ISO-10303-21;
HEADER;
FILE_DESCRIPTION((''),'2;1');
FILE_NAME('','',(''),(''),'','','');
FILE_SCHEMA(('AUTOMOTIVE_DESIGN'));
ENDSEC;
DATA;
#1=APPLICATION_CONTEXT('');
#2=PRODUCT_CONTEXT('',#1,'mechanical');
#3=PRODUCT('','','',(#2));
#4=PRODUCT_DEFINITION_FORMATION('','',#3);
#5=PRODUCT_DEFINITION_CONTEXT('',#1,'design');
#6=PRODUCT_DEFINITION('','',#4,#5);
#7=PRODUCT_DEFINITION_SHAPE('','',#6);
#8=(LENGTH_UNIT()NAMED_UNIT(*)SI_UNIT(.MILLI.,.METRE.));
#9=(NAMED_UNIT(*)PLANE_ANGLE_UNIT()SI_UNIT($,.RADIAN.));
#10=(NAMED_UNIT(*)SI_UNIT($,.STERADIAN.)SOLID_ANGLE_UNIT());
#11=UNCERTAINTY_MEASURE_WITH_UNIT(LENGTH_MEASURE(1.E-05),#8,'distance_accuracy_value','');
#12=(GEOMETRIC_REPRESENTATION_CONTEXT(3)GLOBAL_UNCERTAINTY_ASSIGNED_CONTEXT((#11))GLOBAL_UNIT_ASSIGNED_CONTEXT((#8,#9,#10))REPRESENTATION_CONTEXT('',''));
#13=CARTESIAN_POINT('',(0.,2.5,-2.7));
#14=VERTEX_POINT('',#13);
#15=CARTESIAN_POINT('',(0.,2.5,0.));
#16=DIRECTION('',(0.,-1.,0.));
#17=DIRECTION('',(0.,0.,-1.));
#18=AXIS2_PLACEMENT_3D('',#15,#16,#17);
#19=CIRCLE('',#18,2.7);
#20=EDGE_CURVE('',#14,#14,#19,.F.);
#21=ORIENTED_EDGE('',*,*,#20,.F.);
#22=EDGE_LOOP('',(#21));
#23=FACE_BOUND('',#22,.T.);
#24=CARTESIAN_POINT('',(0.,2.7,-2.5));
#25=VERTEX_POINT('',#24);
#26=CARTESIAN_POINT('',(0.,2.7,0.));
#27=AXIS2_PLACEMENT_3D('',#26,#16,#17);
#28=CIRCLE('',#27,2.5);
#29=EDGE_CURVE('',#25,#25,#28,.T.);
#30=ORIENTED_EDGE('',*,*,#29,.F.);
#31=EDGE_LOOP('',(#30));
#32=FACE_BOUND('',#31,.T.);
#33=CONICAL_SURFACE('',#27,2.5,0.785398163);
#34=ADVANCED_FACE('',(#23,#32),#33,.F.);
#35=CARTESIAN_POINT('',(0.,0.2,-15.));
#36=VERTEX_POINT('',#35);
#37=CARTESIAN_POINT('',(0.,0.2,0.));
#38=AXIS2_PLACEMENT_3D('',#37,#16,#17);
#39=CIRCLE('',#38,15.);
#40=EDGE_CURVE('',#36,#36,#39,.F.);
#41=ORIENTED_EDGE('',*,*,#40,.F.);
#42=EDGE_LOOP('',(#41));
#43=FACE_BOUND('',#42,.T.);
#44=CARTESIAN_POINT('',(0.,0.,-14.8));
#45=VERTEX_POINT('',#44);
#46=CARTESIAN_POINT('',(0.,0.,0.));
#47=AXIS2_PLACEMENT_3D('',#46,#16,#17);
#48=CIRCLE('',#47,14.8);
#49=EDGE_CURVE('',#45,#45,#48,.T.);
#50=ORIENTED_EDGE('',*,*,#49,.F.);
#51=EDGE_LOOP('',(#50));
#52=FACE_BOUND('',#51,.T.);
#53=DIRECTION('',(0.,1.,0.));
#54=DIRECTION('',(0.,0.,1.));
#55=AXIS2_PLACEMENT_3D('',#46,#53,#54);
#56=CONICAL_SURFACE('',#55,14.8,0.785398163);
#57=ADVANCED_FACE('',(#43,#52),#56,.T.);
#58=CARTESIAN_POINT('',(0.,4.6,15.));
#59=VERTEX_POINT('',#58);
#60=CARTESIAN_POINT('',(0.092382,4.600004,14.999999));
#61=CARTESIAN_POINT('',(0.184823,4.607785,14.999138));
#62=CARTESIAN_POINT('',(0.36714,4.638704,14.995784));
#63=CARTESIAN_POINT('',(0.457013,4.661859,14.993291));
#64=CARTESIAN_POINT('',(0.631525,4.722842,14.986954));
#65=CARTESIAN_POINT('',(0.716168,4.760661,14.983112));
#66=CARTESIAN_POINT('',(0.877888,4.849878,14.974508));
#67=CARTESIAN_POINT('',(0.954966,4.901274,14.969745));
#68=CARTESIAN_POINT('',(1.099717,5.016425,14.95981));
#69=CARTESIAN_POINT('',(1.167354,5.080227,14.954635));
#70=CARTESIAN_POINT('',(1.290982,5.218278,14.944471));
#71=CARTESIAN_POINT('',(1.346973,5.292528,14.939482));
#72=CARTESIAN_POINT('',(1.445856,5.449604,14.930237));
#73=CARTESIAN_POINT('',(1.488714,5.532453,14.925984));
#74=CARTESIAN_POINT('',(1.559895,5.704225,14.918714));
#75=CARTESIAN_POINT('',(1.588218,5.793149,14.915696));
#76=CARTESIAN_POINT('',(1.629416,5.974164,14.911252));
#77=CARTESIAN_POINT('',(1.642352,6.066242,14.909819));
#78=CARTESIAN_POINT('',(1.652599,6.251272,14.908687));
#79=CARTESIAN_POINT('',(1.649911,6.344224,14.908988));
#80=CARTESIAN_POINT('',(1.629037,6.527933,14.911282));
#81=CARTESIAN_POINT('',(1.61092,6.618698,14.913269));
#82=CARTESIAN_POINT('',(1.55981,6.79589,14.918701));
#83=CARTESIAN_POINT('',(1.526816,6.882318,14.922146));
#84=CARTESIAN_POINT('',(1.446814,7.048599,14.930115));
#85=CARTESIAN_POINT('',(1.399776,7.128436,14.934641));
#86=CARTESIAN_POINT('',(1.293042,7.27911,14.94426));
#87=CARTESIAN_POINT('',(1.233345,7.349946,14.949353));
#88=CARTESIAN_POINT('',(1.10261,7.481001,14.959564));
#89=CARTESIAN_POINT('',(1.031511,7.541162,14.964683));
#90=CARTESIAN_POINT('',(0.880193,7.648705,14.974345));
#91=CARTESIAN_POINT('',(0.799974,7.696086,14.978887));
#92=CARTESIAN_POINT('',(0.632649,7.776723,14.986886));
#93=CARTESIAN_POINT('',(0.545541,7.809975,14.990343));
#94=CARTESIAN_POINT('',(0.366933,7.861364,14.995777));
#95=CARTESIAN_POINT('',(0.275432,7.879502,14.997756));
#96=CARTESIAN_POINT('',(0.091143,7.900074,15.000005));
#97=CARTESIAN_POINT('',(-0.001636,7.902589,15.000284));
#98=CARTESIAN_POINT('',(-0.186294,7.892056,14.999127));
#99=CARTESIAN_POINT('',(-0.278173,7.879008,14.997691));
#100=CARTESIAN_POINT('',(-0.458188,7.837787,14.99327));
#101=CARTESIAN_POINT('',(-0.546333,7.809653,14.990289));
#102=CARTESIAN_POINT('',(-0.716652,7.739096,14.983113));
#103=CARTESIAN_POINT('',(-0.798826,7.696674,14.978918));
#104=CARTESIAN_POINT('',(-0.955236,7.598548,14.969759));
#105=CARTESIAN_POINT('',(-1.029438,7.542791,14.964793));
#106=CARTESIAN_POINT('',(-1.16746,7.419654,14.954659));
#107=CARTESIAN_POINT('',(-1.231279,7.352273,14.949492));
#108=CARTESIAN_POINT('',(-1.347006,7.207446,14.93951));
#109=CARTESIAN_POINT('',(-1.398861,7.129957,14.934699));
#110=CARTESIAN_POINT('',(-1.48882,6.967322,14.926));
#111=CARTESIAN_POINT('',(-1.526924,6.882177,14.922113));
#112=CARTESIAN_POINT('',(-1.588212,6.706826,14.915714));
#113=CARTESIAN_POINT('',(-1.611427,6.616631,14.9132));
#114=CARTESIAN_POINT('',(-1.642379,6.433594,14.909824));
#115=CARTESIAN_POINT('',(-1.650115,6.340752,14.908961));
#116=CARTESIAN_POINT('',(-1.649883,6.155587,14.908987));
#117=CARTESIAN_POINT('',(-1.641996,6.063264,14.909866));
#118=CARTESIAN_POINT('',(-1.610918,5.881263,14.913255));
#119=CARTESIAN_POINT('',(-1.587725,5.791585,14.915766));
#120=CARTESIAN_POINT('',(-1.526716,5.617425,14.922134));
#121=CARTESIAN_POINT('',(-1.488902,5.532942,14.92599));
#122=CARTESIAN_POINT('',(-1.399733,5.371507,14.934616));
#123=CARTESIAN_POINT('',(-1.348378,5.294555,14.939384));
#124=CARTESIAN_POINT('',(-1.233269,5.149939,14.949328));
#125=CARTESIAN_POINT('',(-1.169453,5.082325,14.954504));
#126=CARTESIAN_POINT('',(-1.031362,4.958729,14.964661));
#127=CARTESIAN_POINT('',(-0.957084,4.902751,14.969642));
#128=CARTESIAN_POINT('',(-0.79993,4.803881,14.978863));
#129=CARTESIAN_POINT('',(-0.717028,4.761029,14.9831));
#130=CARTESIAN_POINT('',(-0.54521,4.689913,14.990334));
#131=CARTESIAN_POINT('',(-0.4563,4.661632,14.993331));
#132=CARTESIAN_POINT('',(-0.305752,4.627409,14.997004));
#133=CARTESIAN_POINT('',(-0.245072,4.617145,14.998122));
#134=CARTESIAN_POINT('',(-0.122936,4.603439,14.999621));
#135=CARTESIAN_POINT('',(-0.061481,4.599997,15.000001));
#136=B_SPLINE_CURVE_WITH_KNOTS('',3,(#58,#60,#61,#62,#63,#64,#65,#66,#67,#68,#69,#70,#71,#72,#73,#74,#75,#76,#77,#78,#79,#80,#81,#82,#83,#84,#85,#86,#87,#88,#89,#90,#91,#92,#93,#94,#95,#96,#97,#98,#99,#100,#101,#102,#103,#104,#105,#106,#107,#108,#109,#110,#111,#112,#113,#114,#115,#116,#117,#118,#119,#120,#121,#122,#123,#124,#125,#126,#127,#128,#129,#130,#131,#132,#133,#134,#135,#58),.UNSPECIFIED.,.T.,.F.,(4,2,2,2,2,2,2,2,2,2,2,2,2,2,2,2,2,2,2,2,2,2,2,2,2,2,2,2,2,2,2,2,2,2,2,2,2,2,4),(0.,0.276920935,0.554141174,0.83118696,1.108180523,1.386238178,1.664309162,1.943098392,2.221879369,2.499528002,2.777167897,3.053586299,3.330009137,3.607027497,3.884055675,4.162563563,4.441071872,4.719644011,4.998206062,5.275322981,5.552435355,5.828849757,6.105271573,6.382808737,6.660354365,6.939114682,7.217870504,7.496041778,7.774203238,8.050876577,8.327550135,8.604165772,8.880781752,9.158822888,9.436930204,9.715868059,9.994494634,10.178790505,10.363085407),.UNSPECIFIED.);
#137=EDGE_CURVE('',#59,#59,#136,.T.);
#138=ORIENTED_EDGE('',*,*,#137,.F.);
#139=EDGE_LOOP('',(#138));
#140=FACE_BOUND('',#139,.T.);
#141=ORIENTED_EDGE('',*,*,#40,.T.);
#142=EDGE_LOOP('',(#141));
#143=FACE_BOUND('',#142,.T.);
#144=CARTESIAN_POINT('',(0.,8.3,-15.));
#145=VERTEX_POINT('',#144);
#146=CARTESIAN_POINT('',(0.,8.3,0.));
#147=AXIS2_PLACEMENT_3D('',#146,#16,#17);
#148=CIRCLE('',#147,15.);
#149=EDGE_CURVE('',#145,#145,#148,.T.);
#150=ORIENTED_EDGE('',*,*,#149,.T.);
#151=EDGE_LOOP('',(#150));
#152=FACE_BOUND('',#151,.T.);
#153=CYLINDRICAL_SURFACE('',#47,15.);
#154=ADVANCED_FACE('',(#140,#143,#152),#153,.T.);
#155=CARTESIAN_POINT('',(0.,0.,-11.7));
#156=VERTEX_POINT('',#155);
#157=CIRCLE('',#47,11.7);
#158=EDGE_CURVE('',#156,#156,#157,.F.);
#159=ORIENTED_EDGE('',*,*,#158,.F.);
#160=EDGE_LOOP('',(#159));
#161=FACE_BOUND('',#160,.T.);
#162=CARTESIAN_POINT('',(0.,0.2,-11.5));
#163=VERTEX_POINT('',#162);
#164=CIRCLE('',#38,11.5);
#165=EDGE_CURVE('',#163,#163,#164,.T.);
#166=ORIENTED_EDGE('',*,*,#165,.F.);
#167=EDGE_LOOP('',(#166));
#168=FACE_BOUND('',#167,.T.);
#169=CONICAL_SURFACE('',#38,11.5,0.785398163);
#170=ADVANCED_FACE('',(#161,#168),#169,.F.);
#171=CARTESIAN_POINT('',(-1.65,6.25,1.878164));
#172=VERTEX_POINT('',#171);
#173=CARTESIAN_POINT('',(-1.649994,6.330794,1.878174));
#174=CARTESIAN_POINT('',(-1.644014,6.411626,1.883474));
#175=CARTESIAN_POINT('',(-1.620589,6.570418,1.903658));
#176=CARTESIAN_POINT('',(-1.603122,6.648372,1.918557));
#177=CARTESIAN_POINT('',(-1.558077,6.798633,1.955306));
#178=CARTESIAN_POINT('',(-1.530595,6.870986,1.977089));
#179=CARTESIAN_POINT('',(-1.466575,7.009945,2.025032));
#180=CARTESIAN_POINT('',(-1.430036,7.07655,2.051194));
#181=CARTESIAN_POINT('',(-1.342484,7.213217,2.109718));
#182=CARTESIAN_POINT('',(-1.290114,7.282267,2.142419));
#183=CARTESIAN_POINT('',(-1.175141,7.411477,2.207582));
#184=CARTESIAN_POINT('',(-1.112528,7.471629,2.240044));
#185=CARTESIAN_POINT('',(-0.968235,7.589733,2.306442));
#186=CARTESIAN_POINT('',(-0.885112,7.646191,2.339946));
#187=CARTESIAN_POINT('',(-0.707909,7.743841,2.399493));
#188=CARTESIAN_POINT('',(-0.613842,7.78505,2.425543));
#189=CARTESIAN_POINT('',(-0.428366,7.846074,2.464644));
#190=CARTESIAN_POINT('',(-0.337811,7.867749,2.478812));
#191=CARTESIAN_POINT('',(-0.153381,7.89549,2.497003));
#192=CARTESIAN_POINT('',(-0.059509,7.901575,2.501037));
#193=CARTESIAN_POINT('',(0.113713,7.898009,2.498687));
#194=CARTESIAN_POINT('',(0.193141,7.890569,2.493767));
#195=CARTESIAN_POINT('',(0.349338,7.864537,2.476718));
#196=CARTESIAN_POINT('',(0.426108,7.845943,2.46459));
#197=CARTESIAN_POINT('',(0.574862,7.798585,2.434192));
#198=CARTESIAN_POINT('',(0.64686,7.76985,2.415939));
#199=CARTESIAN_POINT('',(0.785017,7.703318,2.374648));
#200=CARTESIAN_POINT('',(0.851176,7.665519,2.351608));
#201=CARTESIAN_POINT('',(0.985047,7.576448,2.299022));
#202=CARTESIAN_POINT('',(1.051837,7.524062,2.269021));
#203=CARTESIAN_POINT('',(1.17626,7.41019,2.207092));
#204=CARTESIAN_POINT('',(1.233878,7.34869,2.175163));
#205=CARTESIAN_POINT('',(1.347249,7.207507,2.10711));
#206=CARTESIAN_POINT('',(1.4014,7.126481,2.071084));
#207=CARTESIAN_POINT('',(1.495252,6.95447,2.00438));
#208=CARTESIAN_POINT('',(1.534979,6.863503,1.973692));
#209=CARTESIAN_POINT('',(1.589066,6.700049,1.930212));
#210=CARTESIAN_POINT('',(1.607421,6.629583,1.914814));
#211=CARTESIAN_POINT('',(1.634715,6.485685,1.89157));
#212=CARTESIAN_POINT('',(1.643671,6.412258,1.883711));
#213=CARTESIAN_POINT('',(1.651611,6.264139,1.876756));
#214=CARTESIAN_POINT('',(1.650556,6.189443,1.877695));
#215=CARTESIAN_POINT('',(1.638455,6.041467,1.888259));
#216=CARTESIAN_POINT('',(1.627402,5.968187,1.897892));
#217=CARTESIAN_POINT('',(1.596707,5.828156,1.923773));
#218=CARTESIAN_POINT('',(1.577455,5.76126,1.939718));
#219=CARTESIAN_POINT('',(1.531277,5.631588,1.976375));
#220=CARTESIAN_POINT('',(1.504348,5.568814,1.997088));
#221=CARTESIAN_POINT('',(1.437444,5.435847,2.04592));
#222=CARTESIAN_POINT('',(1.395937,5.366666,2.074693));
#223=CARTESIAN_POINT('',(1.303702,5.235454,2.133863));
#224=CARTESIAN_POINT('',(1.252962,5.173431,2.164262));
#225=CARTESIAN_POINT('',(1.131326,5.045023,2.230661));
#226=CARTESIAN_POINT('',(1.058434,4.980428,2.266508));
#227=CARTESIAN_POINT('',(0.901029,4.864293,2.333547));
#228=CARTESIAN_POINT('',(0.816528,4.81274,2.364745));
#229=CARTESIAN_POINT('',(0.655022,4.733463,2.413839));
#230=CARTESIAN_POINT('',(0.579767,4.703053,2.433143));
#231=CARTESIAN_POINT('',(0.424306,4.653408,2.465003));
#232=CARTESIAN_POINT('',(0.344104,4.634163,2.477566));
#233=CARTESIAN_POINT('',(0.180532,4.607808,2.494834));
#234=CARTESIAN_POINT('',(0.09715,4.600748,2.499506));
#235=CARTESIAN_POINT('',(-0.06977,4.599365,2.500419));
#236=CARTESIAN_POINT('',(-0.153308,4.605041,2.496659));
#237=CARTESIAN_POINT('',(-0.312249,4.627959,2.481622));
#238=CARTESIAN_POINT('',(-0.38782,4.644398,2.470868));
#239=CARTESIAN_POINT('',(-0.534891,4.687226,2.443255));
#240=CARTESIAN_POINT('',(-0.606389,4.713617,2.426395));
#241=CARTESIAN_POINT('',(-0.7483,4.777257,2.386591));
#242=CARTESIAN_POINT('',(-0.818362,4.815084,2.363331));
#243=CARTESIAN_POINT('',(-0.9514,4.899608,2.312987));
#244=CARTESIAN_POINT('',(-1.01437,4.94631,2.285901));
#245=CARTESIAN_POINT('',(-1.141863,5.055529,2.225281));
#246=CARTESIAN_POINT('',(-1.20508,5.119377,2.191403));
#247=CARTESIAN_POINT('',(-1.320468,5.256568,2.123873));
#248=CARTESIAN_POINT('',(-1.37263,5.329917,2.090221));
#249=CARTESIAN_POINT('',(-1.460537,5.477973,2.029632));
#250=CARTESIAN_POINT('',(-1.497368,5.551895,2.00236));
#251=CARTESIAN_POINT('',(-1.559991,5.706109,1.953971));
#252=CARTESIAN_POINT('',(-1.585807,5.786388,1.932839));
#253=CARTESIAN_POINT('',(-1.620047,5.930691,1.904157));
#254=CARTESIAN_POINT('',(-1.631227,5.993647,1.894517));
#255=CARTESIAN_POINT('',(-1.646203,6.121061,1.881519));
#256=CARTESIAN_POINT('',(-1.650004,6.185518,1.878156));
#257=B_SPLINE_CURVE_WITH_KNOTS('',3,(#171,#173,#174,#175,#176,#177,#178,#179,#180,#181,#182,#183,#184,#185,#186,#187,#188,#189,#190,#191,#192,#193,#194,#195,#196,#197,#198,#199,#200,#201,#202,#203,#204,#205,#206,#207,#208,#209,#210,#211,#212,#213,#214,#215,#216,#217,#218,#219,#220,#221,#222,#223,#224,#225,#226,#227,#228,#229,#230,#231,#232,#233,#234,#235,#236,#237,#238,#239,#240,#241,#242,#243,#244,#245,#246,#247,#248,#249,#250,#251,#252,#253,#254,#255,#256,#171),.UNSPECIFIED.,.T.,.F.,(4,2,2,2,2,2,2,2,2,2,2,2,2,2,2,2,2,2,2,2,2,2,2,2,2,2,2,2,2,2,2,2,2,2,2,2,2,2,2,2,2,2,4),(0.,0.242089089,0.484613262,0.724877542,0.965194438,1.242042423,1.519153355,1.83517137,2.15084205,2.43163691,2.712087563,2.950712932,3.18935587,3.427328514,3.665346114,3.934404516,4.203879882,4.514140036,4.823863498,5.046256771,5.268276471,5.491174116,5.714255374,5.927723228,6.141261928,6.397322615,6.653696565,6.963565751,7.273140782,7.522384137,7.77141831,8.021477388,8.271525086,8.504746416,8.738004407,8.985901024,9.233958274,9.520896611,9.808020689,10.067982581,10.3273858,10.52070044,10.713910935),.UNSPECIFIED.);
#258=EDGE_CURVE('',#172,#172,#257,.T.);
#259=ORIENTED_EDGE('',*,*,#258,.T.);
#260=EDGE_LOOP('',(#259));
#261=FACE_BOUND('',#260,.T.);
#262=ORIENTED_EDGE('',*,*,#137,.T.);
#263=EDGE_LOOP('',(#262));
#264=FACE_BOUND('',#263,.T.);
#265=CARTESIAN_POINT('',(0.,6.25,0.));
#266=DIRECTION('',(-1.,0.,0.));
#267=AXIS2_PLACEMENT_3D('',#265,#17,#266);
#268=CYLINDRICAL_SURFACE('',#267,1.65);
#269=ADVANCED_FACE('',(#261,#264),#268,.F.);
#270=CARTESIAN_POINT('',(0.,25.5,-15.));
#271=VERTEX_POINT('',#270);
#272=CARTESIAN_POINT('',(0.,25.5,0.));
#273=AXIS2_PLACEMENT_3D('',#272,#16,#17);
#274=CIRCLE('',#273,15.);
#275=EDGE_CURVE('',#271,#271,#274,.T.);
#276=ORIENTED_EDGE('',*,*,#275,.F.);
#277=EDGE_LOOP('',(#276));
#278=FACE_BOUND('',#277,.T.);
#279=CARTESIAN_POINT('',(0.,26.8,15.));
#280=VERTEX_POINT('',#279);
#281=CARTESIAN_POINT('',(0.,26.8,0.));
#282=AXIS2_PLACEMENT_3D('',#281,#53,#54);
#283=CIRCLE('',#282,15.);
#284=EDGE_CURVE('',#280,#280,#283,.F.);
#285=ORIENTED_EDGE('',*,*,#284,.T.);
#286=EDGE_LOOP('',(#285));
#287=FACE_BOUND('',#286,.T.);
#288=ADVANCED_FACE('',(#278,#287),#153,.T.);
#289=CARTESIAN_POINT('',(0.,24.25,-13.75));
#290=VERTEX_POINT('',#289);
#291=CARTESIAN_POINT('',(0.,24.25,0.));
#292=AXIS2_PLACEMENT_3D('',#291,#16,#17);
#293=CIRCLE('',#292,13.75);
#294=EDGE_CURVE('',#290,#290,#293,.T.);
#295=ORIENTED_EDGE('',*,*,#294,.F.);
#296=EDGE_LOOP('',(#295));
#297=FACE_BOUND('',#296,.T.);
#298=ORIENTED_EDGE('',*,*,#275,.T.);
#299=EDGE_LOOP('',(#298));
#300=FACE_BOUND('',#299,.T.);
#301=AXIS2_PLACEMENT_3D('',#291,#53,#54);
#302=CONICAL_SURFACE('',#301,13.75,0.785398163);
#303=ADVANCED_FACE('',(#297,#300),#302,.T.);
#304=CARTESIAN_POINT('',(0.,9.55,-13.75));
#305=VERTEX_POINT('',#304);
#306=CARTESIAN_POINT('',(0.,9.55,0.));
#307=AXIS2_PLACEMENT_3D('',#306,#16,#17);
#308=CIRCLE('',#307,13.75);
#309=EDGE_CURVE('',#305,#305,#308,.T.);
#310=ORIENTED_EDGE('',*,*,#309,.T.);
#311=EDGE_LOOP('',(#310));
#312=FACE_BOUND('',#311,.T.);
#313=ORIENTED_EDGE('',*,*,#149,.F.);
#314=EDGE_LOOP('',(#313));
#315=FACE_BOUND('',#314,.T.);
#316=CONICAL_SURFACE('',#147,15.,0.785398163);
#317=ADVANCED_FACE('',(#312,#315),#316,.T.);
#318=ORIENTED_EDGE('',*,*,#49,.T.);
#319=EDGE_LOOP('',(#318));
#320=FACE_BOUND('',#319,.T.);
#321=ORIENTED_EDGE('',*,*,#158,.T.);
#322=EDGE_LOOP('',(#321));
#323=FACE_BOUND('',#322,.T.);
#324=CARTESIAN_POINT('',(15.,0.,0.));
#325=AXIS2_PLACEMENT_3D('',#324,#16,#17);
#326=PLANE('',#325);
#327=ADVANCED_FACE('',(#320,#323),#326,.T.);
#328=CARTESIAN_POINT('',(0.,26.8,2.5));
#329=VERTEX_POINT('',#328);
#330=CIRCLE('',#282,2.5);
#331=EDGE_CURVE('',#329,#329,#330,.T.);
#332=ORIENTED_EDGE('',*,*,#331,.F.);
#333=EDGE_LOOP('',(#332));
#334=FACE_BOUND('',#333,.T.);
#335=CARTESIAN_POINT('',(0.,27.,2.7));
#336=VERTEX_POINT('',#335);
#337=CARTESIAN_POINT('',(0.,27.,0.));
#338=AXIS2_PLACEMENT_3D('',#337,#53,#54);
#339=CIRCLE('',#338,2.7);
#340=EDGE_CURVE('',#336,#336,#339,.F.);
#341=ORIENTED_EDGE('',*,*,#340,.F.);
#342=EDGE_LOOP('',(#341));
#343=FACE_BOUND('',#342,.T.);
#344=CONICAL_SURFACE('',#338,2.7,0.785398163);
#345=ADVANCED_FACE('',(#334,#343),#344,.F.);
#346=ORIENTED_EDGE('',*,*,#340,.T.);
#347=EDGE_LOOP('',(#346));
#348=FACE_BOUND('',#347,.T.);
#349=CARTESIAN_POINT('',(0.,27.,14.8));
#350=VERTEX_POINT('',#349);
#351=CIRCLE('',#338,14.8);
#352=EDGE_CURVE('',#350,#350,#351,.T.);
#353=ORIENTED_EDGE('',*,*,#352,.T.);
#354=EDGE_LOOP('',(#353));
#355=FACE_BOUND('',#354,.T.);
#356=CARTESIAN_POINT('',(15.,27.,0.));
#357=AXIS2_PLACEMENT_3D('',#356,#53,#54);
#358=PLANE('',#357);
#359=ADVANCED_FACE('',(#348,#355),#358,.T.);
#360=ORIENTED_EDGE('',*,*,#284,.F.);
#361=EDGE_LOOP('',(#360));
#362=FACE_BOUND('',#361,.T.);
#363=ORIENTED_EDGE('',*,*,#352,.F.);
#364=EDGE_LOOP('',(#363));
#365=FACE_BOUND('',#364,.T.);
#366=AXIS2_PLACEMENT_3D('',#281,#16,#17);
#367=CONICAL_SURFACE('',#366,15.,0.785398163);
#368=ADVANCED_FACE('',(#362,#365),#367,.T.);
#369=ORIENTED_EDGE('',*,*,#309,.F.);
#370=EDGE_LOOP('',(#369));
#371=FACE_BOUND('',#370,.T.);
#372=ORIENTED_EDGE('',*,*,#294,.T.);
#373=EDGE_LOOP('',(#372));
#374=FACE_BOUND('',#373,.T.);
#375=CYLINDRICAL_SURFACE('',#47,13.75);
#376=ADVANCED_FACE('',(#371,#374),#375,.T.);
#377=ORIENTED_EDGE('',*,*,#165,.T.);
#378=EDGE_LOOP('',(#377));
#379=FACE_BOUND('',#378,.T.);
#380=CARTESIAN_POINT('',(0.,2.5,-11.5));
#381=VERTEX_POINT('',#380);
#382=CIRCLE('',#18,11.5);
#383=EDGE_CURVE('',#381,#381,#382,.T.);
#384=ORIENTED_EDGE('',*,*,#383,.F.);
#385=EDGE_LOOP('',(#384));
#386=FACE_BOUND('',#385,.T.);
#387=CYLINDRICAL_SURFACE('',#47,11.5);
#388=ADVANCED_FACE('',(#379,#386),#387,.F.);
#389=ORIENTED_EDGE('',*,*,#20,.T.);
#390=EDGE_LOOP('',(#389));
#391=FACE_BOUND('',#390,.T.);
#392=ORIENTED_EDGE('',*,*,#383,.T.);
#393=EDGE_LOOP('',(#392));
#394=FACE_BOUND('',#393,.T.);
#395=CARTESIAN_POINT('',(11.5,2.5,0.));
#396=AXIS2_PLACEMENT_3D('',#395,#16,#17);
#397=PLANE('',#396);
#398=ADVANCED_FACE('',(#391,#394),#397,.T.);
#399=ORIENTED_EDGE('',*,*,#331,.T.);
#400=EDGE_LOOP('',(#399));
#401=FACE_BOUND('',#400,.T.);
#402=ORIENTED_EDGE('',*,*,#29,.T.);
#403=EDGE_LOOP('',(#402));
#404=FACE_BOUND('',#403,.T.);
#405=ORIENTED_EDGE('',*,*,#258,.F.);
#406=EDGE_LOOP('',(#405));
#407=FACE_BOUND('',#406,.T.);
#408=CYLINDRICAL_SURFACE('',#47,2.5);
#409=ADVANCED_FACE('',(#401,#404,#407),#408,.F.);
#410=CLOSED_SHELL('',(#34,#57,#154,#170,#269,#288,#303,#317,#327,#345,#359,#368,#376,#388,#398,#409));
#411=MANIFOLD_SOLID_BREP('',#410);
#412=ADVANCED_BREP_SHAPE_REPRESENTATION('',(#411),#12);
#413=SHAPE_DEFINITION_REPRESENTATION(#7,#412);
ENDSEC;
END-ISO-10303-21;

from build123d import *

# Parameters (mm, degrees)
SKETCH_21_W    = 1.65
SKETCH_21_H    = 15
CHAMFER_1_SIZE = 0.2


with BuildPart() as part:
    # Эскиз1 → Revolve 921 (revolve)
    with BuildSketch(Plane.XY, mode=Mode.PRIVATE) as revolve_921_sk:
        Polygon((13.75, 9.55), (13.75, 24.25), (15, 25.5), (15, 27), (2.5, 27), (2.5, 2.5), (11.5, 2.5), (11.5, 0), (15, 0), (15, 8.3), align=None)
    revolve(revolve_921_sk.sketch.rotate(Axis((0, 0, 0), (0, 1, 0)), 90), axis=Axis((0, 0, 0), (0, 1, 0)))

    # Эскиз21 → Фиксатор-M4 (revolve, cut)
    with BuildSketch(Plane(origin=(0, 6.25, 0), x_dir=(0, 1, 0), z_dir=(1, 0, 0))):
        with Locations((0.825, 7.5)):
            Rectangle(SKETCH_21_W, SKETCH_21_H)
    revolve(axis=Axis((0, 6.25, -6.35), (0, 0, 1)), mode=Mode.SUBTRACT)

    # Фаска1
    chamfer_1_edges = [part.edges().sort_by_distance(p)[0] for p in [
        (0, 0, 15),
        (0, 0, 11.5),
        (0, 2.5, 2.5),
        (0, 27, 2.5),
        (0, 27, 15),
    ]]
    chamfer(chamfer_1_edges, length=CHAMFER_1_SIZE)


solid = part.part
